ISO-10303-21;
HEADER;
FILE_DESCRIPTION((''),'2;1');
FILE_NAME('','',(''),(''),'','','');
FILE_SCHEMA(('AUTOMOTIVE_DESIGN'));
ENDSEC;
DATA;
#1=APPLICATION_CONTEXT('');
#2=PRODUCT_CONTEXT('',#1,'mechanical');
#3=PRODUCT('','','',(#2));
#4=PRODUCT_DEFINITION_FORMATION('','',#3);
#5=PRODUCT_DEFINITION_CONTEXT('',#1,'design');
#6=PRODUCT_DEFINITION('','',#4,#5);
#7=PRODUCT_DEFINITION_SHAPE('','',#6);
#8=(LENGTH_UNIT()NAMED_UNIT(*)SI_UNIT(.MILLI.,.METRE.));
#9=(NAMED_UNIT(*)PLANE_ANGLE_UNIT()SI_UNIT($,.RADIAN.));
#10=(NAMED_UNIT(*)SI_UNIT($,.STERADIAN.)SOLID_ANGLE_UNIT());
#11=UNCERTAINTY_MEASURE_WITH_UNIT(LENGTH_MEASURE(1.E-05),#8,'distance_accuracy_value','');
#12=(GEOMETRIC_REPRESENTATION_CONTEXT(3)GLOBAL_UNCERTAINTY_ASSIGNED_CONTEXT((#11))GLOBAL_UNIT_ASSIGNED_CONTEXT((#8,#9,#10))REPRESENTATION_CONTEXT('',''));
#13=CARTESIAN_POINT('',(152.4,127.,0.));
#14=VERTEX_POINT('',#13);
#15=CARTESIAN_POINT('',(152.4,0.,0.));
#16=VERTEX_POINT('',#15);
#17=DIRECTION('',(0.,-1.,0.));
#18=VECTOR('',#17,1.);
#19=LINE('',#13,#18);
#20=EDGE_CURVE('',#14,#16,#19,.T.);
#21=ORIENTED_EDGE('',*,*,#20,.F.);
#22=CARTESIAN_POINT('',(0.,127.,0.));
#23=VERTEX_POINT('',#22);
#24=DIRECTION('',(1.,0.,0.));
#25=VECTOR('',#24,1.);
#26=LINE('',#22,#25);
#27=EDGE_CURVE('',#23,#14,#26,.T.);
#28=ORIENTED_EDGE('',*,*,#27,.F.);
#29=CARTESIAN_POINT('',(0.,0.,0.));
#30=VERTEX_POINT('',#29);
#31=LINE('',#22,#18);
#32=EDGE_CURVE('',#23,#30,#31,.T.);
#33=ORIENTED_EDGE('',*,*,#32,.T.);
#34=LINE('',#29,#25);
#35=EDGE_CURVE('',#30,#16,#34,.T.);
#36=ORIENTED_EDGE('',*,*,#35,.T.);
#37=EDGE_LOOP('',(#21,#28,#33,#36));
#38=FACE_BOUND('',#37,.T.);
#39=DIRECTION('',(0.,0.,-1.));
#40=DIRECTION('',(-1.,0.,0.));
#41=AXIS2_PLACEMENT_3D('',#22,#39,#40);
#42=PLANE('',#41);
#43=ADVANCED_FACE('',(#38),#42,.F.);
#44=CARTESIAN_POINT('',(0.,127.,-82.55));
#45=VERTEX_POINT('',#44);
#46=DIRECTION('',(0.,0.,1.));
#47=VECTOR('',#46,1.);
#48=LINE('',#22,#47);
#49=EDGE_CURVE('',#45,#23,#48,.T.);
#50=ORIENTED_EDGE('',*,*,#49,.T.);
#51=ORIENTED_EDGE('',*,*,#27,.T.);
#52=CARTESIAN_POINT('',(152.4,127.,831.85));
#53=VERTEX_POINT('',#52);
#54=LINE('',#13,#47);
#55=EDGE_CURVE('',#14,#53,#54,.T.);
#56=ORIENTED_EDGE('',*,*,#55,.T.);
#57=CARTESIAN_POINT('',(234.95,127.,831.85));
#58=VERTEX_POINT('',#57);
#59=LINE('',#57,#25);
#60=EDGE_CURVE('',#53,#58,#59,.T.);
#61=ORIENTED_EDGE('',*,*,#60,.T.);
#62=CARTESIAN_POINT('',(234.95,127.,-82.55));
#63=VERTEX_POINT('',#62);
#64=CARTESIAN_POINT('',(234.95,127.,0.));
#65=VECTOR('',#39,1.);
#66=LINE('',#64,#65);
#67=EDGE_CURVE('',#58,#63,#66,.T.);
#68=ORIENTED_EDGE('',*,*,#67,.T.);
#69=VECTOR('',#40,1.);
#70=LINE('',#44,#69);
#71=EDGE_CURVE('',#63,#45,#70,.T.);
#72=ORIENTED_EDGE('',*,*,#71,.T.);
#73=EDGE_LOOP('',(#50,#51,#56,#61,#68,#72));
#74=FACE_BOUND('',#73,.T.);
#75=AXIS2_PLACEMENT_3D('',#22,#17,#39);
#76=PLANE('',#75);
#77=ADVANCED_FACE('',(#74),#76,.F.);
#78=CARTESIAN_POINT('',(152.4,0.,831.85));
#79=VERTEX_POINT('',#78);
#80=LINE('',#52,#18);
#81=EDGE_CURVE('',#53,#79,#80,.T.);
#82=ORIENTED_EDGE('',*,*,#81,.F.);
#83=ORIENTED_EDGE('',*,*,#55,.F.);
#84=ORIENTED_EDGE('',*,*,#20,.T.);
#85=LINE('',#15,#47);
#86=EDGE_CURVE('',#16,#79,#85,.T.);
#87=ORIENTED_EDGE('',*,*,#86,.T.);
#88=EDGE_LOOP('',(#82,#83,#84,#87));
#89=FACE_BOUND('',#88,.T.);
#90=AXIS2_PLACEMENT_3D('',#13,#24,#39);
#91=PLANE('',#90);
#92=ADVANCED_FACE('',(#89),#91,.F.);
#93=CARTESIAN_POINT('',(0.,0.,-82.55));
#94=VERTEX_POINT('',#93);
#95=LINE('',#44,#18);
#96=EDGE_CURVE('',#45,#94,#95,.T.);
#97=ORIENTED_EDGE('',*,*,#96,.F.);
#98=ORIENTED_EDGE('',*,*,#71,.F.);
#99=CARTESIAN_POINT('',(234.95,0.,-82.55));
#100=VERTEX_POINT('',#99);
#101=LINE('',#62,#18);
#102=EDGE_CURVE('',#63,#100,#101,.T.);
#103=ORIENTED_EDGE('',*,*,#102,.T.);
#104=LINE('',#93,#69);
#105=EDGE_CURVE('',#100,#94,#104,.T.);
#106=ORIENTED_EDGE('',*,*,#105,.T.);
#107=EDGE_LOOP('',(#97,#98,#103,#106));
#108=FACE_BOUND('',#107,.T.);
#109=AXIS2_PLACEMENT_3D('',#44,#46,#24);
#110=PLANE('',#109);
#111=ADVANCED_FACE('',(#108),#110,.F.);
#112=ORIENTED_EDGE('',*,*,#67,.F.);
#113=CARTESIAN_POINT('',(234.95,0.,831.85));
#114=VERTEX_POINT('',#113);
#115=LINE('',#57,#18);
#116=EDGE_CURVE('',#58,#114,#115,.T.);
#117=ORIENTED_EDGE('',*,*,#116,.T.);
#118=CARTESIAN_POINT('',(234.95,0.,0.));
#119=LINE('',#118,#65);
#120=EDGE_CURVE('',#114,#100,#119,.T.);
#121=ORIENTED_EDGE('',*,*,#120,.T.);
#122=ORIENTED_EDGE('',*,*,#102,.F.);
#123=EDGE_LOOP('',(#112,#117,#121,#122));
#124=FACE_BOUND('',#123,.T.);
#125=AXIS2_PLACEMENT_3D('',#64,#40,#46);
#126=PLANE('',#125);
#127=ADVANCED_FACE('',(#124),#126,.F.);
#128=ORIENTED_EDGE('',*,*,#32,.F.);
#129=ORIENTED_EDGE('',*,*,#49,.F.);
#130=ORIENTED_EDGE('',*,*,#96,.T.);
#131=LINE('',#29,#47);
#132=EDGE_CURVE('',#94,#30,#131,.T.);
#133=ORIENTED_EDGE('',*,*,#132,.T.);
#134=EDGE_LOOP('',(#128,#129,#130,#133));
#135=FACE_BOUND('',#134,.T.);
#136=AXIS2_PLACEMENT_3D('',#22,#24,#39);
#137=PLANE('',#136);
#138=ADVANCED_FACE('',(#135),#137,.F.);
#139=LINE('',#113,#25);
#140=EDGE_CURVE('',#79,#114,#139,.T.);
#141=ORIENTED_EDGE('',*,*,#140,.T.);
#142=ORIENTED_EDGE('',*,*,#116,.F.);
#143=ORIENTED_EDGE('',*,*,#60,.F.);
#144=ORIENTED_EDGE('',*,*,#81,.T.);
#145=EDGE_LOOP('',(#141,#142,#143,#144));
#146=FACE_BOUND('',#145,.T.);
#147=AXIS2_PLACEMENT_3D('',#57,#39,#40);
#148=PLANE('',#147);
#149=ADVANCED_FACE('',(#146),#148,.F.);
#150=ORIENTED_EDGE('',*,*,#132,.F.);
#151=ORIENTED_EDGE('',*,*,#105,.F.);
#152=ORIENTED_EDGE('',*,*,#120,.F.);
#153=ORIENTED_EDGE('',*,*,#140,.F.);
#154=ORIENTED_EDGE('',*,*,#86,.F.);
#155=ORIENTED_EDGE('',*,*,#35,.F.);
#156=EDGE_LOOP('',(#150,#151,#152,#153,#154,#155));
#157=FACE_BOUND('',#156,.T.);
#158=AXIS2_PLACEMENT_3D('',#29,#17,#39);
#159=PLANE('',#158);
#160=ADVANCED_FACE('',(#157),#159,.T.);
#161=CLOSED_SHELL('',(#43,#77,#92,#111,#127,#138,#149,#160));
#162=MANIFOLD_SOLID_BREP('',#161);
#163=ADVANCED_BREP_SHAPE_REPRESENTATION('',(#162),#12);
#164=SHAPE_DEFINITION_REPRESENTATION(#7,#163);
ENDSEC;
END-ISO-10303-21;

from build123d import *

# Parameters (mm, degrees)
BOSS_EXTRUDE1_DEPTH = 127


with BuildPart() as part:
    # Sketch1 → Boss-Extrude1 (new body)
    with BuildSketch(Plane(origin=(0, 0, 0), x_dir=(1, 0, 0), z_dir=(0, 1, 0))):
        Polygon((0, 0), (152.4, 0), (152.4, -831.85), (234.95, -831.85), (234.95, 0), (234.95, 82.55), (0, 82.55), align=None)
    extrude(amount=BOSS_EXTRUDE1_DEPTH)


solid = part.part
